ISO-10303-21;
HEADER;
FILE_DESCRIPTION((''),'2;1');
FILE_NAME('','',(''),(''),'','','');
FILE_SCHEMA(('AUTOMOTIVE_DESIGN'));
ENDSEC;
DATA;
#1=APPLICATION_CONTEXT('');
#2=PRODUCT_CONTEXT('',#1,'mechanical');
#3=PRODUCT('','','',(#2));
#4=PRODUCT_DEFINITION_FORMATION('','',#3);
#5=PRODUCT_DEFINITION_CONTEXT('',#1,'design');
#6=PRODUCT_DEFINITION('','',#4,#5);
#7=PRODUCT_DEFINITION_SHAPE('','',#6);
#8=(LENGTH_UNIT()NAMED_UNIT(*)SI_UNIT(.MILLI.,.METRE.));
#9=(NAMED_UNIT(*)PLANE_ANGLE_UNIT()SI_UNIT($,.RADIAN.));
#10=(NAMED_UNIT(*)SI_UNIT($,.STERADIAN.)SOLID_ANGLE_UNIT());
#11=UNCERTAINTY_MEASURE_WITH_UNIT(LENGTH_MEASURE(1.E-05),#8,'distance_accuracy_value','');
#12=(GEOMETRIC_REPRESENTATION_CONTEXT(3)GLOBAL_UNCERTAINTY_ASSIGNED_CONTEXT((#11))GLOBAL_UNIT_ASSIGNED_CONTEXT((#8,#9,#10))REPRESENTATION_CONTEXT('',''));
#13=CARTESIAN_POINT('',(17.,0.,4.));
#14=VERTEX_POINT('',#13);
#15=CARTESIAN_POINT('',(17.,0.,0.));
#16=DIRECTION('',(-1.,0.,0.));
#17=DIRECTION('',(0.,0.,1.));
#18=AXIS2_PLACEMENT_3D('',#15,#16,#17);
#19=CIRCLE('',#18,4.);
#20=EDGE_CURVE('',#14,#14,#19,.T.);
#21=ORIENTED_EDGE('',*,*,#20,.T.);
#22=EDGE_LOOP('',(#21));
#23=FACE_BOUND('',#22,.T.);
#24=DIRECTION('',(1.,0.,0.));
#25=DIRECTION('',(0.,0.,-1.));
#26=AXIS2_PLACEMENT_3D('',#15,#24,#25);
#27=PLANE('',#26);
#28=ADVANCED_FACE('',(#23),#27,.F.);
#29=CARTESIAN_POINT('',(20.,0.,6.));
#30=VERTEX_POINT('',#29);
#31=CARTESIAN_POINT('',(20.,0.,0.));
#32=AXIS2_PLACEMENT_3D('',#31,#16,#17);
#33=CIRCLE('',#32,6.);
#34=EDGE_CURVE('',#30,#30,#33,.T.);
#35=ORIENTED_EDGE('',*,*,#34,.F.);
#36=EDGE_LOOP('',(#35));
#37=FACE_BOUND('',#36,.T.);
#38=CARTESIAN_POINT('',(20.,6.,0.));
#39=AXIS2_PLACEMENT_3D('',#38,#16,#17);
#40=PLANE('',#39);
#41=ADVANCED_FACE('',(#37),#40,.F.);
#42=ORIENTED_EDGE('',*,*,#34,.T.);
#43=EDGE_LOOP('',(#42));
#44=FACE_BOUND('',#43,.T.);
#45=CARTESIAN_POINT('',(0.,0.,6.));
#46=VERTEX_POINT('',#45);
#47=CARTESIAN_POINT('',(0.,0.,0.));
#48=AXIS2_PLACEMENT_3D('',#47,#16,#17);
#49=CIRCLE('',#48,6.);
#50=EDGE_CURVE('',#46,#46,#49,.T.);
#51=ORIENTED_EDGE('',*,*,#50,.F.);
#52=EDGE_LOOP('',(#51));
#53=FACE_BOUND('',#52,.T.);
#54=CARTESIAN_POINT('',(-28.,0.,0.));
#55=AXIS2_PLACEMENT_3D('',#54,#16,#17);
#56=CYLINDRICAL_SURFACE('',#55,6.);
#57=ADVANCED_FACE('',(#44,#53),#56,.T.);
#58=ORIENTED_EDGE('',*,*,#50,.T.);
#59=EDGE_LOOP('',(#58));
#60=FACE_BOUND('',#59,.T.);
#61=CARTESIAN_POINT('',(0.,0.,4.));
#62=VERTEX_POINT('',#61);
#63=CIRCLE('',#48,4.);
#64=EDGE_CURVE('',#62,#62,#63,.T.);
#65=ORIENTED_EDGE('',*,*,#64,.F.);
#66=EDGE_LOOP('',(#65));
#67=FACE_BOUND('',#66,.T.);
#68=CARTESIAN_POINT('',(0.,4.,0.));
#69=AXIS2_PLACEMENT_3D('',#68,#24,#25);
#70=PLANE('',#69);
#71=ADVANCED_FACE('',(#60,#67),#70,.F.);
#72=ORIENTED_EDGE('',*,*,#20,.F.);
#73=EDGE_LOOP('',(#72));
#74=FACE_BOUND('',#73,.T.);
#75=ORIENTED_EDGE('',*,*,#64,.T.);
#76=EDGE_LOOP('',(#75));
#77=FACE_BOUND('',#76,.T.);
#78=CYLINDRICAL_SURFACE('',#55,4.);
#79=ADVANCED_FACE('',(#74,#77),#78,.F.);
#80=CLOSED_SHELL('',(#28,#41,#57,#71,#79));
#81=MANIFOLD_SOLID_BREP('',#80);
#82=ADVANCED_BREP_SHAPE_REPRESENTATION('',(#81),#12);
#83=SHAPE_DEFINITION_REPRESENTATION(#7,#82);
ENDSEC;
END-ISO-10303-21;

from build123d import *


with BuildPart() as part:
    # Sketch1 → Base-Revolve (revolve)
    with BuildSketch(Plane.XY):
        Polygon((0, 4), (0, 6), (20, 6), (20, 0), (17, 0), (17, 4), align=None)
    revolve(axis=Axis((-28, 0, 0), (1, 0, 0)))


solid = part.part
